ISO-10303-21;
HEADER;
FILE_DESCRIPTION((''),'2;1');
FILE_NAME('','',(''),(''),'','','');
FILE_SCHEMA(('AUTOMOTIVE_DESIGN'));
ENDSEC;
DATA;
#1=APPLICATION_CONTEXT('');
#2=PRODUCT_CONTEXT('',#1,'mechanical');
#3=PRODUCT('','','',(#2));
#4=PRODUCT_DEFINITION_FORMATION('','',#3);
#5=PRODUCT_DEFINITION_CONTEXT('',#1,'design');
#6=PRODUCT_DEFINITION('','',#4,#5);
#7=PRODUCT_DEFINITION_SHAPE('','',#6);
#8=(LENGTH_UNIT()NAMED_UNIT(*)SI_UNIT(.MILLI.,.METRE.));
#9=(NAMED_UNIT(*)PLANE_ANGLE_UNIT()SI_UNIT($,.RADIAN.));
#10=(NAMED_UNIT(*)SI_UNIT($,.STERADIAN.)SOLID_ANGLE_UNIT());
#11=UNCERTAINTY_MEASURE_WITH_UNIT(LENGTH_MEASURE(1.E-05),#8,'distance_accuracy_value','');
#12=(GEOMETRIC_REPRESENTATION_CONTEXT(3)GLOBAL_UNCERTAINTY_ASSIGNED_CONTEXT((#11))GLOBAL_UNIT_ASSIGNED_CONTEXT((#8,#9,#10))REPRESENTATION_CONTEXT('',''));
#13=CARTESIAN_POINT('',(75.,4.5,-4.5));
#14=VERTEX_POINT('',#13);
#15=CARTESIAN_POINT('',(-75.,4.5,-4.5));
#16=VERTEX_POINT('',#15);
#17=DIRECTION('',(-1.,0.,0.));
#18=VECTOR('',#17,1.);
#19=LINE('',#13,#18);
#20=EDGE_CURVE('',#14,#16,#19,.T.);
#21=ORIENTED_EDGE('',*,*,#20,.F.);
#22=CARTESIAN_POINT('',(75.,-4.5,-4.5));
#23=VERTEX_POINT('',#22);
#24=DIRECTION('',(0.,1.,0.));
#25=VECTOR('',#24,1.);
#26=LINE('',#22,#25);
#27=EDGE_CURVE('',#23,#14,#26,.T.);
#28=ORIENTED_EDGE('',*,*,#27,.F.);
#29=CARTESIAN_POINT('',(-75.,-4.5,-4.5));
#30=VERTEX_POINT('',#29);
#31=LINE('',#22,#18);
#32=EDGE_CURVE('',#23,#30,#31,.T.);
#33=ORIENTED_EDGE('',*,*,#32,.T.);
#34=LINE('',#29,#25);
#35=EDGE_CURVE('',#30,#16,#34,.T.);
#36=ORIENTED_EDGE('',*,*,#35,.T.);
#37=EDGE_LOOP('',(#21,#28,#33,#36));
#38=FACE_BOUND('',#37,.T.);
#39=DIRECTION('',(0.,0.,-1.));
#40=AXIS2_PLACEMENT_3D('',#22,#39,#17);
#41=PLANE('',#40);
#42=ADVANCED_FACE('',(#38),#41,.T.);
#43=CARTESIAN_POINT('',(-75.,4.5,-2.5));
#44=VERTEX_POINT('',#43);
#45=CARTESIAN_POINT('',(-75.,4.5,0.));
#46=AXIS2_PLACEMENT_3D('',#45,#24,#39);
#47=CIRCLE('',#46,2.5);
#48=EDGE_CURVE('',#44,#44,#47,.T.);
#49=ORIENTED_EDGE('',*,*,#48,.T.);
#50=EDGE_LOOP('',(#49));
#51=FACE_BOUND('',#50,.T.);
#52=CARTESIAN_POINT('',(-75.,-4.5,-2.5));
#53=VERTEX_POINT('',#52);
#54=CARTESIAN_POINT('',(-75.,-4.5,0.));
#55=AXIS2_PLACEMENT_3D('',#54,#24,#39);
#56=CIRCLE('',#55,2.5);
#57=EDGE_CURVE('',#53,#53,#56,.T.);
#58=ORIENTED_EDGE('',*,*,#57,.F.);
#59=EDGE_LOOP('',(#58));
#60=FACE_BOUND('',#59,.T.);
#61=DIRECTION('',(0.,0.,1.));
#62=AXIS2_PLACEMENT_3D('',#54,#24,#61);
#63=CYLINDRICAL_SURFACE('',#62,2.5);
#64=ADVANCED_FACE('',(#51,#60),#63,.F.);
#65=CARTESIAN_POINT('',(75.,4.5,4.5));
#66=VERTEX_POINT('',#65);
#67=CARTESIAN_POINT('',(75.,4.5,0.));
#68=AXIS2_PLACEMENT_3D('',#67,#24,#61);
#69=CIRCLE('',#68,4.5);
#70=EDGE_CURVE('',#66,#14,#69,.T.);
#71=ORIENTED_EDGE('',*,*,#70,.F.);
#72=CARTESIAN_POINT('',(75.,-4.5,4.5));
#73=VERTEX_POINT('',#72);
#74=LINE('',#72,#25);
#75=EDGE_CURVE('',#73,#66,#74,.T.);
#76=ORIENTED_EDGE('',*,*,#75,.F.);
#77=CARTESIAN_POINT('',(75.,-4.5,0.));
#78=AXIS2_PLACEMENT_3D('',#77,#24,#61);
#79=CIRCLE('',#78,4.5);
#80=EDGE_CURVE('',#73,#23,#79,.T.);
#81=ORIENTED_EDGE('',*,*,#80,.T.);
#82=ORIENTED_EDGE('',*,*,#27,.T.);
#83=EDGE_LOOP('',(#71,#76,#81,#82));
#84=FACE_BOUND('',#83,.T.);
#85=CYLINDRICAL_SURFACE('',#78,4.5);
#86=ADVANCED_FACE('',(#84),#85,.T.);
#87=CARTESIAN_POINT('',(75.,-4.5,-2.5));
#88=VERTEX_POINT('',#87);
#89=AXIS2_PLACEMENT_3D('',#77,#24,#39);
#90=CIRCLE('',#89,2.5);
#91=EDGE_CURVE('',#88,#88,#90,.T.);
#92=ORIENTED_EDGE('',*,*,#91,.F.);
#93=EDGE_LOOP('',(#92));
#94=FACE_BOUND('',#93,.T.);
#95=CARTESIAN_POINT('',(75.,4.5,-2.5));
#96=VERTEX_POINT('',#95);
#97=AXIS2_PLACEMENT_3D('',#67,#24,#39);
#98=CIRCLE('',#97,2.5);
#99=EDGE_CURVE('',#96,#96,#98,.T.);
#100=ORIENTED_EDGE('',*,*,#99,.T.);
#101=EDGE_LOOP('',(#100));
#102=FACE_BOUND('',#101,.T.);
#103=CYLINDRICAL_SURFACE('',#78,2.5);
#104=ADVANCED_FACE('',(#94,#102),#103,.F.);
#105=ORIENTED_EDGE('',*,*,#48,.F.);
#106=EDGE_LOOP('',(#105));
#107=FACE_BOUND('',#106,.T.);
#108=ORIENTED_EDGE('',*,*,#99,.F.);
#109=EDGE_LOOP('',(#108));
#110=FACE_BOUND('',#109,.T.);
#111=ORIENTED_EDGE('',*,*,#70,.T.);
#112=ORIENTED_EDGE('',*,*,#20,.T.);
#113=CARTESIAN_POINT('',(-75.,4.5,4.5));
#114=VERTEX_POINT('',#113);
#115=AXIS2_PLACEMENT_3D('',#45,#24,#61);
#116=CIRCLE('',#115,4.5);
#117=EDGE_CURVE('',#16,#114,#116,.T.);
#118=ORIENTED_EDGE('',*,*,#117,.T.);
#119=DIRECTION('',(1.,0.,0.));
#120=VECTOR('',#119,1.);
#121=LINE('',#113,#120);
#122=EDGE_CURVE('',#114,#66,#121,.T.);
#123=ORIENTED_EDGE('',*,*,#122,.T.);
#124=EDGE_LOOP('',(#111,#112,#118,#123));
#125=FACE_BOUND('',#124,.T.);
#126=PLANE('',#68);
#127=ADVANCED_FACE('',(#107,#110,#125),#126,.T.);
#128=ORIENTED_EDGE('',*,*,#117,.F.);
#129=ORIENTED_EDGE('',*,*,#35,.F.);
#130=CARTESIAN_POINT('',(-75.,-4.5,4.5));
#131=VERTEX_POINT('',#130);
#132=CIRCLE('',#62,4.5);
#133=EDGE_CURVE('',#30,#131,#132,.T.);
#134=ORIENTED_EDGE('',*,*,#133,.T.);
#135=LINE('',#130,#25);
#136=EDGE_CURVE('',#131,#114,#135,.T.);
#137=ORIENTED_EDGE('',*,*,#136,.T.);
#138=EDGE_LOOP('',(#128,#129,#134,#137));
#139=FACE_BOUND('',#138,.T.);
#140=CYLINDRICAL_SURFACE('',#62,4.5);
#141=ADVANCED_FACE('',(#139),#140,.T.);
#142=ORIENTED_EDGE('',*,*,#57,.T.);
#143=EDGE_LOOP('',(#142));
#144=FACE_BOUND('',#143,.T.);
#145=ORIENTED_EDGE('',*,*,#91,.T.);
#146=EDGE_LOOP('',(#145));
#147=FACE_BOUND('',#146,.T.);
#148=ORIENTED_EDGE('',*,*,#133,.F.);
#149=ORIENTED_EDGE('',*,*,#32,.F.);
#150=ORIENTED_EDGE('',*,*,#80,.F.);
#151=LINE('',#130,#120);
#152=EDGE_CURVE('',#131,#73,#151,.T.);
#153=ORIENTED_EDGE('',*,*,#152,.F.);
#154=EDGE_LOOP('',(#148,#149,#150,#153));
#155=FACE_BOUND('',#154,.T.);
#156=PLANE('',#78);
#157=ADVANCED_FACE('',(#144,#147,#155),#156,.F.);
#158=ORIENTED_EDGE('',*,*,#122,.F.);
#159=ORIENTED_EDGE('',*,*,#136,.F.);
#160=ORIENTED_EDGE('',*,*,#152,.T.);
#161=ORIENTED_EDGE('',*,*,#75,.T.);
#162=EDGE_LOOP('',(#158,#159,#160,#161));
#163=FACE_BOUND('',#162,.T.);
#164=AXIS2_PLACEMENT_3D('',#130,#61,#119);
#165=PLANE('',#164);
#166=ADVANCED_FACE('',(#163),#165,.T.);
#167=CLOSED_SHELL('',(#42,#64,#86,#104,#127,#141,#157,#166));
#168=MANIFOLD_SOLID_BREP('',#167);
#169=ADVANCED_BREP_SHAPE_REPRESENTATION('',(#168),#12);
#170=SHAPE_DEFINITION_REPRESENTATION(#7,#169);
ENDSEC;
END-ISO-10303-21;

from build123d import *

# Parameters (mm, degrees)
SKETCH1_R           = 2.5
BOSS_EXTRUDE1_DEPTH = 9


with BuildPart() as part:
    # Sketch1 → Boss-Extrude1 (new body)
    with BuildSketch(Plane(origin=(0, 4.5, 0), x_dir=(1, 0, 0), z_dir=(0, 1, 0))):
        with BuildLine():
            Line((75, 4.5), (-75, 4.5))
            ThreePointArc((-75, 4.5), (-79.5, 0), (-75, -4.5))
            Line((-75, -4.5), (75, -4.5))
            ThreePointArc((75, -4.5), (79.5, 0), (75, 4.5))
        make_face()
        with Locations((75, 0)):
            Circle(SKETCH1_R, mode=Mode.SUBTRACT)
        with Locations((-75, 0)):
            Circle(SKETCH1_R, mode=Mode.SUBTRACT)
    extrude(amount=-BOSS_EXTRUDE1_DEPTH)


solid = part.part
